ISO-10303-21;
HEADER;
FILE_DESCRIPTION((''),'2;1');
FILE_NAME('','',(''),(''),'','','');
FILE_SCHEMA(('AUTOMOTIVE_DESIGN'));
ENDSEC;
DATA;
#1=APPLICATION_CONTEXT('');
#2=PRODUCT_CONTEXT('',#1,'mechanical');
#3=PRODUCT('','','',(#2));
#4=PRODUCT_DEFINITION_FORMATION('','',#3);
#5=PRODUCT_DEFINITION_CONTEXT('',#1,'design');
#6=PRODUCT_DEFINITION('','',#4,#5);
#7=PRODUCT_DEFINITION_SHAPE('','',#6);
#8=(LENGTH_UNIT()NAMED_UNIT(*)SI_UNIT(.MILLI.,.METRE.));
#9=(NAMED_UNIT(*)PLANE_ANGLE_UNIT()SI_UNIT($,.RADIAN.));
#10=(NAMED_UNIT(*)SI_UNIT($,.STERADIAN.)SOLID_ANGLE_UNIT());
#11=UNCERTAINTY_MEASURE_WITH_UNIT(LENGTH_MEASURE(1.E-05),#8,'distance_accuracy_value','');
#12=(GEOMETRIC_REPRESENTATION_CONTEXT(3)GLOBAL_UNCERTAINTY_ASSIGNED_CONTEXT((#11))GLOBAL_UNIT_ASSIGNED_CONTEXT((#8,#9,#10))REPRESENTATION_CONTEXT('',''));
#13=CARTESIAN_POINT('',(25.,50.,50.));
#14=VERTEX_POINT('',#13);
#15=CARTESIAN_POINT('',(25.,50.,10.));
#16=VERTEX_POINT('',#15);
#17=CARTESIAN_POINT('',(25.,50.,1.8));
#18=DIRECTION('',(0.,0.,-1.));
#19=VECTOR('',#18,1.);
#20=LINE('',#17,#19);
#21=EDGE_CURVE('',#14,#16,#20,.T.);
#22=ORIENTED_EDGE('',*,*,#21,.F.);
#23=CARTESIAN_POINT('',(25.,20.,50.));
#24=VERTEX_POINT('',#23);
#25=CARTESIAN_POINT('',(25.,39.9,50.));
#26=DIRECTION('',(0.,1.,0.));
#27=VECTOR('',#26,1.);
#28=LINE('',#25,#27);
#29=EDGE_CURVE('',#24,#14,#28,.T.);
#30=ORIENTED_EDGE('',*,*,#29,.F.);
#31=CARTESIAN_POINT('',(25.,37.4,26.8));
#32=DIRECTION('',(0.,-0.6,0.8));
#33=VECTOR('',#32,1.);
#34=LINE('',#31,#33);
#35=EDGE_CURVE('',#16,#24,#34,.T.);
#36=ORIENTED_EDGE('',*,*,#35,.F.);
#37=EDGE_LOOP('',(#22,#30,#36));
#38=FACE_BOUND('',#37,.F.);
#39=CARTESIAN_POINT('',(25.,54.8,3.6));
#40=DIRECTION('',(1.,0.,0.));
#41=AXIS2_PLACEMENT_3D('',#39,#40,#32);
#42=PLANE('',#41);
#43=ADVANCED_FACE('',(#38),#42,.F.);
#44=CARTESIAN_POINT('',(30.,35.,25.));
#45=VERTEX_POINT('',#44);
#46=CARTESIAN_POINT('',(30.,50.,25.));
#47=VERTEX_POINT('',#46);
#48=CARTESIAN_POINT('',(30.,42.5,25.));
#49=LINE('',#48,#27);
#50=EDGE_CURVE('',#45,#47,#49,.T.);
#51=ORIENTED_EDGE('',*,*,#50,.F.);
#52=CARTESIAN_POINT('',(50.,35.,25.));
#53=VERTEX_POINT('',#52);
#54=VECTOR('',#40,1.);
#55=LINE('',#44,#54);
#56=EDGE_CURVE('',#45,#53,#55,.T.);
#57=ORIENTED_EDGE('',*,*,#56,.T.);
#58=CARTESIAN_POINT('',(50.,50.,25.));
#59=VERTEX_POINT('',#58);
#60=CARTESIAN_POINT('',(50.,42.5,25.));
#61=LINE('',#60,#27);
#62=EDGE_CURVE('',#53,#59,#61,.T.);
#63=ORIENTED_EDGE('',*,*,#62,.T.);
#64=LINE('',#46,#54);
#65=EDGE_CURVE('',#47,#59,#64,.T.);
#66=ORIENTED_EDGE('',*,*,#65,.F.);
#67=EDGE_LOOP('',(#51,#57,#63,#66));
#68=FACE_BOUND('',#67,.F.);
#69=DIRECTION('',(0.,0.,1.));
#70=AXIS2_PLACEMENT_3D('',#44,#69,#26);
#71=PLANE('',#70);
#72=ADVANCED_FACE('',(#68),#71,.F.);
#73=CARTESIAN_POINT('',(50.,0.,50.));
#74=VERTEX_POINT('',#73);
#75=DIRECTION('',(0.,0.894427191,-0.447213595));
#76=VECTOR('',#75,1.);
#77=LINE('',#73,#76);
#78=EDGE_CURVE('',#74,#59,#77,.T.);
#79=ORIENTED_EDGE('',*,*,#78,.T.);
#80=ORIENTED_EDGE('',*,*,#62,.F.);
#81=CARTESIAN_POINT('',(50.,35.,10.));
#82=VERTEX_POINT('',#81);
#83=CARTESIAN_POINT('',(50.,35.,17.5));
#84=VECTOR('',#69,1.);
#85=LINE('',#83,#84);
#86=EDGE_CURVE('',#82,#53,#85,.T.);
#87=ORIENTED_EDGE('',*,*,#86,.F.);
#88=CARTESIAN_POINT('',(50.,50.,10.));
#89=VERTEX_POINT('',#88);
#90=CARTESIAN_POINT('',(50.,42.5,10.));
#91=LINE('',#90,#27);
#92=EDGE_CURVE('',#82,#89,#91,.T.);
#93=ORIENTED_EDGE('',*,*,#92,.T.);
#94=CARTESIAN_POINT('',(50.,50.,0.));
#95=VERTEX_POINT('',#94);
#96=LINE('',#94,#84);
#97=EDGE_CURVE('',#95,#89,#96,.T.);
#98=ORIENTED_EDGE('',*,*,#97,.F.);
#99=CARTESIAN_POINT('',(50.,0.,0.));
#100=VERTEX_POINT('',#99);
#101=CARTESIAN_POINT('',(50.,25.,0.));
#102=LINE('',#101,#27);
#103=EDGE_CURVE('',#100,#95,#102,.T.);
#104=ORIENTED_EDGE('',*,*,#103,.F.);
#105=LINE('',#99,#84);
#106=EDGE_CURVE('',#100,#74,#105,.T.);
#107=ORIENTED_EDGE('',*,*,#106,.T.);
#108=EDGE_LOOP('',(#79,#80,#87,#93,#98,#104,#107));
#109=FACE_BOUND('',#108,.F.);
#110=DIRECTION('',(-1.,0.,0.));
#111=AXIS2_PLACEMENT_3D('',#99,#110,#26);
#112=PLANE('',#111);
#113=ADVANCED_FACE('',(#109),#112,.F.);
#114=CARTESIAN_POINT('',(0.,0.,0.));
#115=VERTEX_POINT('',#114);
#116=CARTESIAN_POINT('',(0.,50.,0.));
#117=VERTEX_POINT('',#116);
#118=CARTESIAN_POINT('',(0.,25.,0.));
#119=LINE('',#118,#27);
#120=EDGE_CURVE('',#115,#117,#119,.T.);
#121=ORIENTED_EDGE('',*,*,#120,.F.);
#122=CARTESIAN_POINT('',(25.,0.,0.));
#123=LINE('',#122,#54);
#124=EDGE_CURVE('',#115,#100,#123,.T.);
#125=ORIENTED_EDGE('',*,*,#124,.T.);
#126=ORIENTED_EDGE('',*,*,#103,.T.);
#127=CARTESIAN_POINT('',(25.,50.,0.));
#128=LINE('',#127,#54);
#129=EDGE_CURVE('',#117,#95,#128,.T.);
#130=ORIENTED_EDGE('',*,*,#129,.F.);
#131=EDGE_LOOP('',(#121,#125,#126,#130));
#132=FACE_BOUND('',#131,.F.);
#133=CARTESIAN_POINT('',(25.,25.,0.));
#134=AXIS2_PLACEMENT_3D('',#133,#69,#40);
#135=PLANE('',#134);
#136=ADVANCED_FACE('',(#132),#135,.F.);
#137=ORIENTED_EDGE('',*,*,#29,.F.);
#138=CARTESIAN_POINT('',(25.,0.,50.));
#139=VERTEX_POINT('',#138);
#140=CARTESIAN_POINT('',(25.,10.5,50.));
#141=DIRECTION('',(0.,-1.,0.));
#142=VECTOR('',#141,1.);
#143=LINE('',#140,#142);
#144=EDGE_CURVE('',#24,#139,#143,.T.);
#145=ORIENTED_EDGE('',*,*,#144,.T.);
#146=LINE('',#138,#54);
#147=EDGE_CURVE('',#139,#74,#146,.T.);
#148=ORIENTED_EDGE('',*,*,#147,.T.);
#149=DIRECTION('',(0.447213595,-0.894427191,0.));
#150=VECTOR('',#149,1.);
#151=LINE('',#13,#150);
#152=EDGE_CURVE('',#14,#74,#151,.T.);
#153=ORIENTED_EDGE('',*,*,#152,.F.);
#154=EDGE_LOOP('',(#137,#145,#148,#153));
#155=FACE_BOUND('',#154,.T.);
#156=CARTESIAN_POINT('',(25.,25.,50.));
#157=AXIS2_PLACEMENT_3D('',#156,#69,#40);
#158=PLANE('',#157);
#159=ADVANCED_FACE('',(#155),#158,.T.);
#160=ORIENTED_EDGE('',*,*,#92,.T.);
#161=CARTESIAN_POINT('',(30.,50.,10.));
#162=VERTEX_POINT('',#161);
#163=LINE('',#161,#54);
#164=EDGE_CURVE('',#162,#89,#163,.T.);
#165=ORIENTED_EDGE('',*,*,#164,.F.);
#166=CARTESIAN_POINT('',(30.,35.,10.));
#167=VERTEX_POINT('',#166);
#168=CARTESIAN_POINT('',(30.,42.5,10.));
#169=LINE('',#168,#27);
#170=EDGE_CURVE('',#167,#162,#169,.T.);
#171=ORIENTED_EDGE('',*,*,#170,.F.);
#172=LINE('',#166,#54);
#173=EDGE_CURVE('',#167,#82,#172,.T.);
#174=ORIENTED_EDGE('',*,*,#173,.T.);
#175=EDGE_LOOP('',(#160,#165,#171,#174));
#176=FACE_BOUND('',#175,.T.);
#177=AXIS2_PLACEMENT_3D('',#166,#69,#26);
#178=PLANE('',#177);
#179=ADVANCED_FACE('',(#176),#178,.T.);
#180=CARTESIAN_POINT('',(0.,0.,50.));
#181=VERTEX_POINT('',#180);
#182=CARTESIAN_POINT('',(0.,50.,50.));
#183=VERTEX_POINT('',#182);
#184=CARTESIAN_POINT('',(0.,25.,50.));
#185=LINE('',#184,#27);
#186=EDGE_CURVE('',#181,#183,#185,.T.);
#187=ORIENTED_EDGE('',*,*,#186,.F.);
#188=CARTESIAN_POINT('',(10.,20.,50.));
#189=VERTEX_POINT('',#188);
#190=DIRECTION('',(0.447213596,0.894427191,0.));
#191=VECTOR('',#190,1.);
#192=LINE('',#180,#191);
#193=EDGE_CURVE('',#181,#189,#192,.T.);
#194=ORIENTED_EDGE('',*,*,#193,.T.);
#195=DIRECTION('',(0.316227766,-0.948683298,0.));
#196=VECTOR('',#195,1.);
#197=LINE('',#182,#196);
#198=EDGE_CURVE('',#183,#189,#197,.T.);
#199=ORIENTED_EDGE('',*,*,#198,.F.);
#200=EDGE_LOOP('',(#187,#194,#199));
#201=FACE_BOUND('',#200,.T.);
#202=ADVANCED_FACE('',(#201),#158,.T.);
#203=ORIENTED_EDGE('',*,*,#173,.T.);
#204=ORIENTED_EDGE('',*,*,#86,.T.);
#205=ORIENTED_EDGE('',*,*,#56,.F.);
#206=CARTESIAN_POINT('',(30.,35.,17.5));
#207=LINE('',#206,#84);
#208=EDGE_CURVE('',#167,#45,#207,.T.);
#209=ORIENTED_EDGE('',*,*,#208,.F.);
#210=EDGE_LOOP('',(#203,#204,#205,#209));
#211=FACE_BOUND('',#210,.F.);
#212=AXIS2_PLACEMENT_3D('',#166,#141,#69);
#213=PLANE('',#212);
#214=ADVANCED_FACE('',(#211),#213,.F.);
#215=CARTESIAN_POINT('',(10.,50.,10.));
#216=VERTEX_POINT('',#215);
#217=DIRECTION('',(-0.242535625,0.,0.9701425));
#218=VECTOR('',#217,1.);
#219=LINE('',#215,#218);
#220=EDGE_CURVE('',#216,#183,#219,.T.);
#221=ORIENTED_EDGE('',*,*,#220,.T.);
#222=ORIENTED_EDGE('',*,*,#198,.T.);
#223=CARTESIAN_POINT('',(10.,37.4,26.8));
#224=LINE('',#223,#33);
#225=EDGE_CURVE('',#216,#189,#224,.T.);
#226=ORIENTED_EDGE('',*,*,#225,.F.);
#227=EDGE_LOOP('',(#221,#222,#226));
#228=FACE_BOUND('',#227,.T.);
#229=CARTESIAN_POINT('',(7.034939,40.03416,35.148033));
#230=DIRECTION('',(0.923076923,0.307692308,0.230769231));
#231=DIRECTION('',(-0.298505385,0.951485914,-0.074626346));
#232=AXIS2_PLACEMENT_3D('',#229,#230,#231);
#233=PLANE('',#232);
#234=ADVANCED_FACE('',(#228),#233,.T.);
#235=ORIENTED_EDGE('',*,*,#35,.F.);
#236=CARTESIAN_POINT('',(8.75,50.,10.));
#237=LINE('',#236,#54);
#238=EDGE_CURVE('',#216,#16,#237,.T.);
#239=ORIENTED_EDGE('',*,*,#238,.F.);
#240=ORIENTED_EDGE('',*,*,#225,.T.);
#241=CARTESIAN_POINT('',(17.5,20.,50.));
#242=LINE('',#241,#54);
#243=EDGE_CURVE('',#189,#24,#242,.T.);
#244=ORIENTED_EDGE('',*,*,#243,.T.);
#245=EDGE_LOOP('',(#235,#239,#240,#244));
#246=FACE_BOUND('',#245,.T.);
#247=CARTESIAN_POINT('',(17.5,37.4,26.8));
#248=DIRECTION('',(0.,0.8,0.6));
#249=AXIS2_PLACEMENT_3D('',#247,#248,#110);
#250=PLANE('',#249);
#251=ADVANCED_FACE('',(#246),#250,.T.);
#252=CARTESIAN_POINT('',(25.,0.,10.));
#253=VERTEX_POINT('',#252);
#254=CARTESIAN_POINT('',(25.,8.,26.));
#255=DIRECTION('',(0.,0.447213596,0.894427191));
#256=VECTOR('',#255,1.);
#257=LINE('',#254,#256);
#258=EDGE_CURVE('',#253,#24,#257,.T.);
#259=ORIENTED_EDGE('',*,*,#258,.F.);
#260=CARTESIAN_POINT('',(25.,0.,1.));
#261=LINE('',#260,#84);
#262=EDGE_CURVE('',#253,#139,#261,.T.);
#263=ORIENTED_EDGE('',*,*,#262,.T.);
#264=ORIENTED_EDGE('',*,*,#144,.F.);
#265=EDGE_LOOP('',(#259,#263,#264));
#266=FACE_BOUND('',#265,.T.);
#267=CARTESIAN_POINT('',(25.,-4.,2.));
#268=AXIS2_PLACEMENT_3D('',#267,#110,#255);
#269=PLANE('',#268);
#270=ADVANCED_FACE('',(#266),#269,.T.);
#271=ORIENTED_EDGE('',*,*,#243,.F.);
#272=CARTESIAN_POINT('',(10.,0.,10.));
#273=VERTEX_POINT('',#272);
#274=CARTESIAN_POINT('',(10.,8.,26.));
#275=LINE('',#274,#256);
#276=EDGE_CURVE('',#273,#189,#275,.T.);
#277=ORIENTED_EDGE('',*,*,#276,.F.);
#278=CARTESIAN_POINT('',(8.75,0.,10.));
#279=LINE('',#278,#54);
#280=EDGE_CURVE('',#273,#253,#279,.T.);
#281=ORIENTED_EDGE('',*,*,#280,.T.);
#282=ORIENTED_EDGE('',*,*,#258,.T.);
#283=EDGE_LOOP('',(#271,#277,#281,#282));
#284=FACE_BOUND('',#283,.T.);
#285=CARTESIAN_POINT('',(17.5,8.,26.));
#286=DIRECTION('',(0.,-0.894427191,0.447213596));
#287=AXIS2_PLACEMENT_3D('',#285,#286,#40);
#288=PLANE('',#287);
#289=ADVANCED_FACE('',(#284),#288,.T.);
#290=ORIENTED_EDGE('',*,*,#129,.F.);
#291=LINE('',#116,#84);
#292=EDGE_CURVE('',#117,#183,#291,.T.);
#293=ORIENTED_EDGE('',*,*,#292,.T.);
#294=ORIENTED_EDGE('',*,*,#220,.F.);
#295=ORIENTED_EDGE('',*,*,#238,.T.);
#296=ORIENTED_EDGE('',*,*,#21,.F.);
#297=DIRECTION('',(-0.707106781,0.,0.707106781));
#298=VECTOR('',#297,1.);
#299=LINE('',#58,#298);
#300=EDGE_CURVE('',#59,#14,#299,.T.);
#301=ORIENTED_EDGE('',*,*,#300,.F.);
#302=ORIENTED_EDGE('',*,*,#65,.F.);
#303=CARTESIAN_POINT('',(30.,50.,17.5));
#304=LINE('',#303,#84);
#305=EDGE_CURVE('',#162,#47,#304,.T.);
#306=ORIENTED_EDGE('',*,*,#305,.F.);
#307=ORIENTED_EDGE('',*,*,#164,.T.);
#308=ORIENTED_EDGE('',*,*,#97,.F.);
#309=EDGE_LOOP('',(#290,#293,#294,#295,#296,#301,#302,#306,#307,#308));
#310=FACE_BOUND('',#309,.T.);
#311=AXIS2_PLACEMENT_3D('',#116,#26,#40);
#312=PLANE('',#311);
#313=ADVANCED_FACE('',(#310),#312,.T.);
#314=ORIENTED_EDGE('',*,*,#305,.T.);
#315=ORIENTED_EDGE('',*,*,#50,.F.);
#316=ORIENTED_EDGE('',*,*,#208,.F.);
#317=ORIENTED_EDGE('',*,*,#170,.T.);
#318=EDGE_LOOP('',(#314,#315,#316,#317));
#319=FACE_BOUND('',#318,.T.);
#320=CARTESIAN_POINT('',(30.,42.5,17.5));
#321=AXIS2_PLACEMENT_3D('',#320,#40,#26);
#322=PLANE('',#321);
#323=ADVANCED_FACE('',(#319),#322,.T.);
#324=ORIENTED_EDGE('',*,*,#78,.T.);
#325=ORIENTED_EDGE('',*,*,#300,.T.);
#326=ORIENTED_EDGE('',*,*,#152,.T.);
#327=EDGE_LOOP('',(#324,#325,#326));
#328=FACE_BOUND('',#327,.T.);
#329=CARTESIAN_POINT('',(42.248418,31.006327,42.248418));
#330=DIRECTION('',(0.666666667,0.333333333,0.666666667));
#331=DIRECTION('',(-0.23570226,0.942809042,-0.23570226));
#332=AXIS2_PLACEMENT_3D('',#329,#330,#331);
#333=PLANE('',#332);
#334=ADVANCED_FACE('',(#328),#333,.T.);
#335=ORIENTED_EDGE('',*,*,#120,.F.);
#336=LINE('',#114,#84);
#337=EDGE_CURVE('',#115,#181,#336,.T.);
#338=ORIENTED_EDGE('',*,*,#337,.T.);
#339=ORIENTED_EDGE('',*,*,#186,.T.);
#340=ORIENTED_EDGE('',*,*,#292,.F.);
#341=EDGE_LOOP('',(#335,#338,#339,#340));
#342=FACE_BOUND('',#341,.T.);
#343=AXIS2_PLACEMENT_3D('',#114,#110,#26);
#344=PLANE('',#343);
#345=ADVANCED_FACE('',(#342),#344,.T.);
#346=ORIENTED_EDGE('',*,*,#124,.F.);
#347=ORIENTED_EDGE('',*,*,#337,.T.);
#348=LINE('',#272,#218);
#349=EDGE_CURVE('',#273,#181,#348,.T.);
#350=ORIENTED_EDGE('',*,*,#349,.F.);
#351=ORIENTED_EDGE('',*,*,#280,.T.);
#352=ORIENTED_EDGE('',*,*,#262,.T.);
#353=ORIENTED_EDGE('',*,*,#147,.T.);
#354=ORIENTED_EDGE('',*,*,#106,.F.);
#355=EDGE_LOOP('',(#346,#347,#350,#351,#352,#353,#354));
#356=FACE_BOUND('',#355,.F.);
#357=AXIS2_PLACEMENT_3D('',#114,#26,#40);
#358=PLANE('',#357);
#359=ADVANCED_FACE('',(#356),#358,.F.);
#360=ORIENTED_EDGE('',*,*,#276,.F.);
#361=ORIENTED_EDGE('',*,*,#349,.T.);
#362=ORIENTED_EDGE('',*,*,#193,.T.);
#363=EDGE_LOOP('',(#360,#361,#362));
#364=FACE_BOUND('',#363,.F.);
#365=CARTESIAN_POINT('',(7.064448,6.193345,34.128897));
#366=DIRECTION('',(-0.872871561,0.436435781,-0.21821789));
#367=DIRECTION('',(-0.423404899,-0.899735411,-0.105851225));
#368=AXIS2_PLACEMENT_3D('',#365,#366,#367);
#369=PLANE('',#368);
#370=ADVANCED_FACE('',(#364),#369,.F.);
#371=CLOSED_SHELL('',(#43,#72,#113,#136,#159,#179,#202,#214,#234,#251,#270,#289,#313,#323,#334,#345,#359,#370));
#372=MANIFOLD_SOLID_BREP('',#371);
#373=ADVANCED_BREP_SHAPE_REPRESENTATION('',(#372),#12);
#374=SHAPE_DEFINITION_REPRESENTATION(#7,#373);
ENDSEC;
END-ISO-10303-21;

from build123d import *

# Parameters (mm, degrees)
F0_W      = 50
F0_H      = 50
F1_DEPTH  = 50
F6_W      = 15
F6_H      = 53.66563146
F7_DEPTH  = 17.88954382
F11_W     = 15
F11_H     = 58
F12_DEPTH = 24.001
F17_DEPTH = 16.6676666667
F20_DEPTH = 8.7297156094
F23_DEPTH = 9.2317692308
F27_W     = 15
F27_H     = 15
F28_DEPTH = 20


with BuildPart() as f1:
    # F0 (on Top) → F1 (new body)
    with BuildSketch(Plane.XY):
        with Locations((25, 25)):
            Rectangle(F0_W, F0_H)
    extrude(amount=F1_DEPTH)

    # F6 (on 3pt) → F7 (cut, through all)
    with BuildSketch(Plane(origin=(0, -4, 2), x_dir=(1, 0, 0), z_dir=(0, -0.894427191, 0.4472135955))):
        with Locations((17.5, 26.83281573)):
            Rectangle(F6_W, F6_H)
    extrude(amount=F7_DEPTH, mode=Mode.SUBTRACT)

    # F11 (on 3pt) → F12 (cut, through all)
    with BuildSketch(Plane(origin=(0, 36.8, 27.6), x_dir=(-1, 0, 0), z_dir=(0, 0.8, 0.6))):
        with Locations((-17.5, -1)):
            Rectangle(F11_W, F11_H)
    extrude(amount=F12_DEPTH, mode=Mode.SUBTRACT)

    # F16 (on 3pt) → F17 (cut, through all)
    with BuildSketch(Plane(origin=(44.4444444444, 22.2222222222, 44.4444444444), x_dir=(-0.2357022604, 0.9428090416, -0.2357022604), z_dir=(0.6666666667, 0.3333333333, 0.6666666667))):
        Polygon((29.4627825494, 17.6776695297), (-23.5702260396, 0), (29.4627825494, -17.6776695297), align=None)
    extrude(amount=F17_DEPTH, mode=Mode.SUBTRACT)

    # F19 (on 3pt) → F20 (cut, through all)
    with BuildSketch(Plane(origin=(9.5238095238, -4.7619047619, 2.380952381), x_dir=(-0.4234048992, -0.8997354108, -0.1058512248), z_dir=(-0.8728715609, 0.4364357805, -0.2182178902))):
        Polygon((-5.2925612402, 7.2760687511), (-5.2925612402, 48.5071250073), (-27.5213184493, 46.0817687569), align=None)
    extrude(amount=-F20_DEPTH, mode=Mode.SUBTRACT)

    # F22 (on 3pt) → F23 (cut, through all)
    with BuildSketch(Plane(origin=(24.8520710059, 8.2840236686, 6.2130177515), x_dir=(-0.2985053847, 0.9514859136, -0.0746263462), z_dir=(0.9230769231, 0.3076923077, 0.2307692308))):
        Polygon((43.842978372, 48.5071250073), (12.3133471172, 46.0817687569), (43.842978372, 7.2760687511), align=None)
    extrude(amount=F23_DEPTH, mode=Mode.SUBTRACT)

    # F27 (on 3pt) → F28 (cut, through all)
    with BuildSketch(Plane.YZ.offset(30)):
        with Locations((42.5, 17.5)):
            Rectangle(F27_W, F27_H)
    extrude(amount=F28_DEPTH, mode=Mode.SUBTRACT)


solid = f1.part
